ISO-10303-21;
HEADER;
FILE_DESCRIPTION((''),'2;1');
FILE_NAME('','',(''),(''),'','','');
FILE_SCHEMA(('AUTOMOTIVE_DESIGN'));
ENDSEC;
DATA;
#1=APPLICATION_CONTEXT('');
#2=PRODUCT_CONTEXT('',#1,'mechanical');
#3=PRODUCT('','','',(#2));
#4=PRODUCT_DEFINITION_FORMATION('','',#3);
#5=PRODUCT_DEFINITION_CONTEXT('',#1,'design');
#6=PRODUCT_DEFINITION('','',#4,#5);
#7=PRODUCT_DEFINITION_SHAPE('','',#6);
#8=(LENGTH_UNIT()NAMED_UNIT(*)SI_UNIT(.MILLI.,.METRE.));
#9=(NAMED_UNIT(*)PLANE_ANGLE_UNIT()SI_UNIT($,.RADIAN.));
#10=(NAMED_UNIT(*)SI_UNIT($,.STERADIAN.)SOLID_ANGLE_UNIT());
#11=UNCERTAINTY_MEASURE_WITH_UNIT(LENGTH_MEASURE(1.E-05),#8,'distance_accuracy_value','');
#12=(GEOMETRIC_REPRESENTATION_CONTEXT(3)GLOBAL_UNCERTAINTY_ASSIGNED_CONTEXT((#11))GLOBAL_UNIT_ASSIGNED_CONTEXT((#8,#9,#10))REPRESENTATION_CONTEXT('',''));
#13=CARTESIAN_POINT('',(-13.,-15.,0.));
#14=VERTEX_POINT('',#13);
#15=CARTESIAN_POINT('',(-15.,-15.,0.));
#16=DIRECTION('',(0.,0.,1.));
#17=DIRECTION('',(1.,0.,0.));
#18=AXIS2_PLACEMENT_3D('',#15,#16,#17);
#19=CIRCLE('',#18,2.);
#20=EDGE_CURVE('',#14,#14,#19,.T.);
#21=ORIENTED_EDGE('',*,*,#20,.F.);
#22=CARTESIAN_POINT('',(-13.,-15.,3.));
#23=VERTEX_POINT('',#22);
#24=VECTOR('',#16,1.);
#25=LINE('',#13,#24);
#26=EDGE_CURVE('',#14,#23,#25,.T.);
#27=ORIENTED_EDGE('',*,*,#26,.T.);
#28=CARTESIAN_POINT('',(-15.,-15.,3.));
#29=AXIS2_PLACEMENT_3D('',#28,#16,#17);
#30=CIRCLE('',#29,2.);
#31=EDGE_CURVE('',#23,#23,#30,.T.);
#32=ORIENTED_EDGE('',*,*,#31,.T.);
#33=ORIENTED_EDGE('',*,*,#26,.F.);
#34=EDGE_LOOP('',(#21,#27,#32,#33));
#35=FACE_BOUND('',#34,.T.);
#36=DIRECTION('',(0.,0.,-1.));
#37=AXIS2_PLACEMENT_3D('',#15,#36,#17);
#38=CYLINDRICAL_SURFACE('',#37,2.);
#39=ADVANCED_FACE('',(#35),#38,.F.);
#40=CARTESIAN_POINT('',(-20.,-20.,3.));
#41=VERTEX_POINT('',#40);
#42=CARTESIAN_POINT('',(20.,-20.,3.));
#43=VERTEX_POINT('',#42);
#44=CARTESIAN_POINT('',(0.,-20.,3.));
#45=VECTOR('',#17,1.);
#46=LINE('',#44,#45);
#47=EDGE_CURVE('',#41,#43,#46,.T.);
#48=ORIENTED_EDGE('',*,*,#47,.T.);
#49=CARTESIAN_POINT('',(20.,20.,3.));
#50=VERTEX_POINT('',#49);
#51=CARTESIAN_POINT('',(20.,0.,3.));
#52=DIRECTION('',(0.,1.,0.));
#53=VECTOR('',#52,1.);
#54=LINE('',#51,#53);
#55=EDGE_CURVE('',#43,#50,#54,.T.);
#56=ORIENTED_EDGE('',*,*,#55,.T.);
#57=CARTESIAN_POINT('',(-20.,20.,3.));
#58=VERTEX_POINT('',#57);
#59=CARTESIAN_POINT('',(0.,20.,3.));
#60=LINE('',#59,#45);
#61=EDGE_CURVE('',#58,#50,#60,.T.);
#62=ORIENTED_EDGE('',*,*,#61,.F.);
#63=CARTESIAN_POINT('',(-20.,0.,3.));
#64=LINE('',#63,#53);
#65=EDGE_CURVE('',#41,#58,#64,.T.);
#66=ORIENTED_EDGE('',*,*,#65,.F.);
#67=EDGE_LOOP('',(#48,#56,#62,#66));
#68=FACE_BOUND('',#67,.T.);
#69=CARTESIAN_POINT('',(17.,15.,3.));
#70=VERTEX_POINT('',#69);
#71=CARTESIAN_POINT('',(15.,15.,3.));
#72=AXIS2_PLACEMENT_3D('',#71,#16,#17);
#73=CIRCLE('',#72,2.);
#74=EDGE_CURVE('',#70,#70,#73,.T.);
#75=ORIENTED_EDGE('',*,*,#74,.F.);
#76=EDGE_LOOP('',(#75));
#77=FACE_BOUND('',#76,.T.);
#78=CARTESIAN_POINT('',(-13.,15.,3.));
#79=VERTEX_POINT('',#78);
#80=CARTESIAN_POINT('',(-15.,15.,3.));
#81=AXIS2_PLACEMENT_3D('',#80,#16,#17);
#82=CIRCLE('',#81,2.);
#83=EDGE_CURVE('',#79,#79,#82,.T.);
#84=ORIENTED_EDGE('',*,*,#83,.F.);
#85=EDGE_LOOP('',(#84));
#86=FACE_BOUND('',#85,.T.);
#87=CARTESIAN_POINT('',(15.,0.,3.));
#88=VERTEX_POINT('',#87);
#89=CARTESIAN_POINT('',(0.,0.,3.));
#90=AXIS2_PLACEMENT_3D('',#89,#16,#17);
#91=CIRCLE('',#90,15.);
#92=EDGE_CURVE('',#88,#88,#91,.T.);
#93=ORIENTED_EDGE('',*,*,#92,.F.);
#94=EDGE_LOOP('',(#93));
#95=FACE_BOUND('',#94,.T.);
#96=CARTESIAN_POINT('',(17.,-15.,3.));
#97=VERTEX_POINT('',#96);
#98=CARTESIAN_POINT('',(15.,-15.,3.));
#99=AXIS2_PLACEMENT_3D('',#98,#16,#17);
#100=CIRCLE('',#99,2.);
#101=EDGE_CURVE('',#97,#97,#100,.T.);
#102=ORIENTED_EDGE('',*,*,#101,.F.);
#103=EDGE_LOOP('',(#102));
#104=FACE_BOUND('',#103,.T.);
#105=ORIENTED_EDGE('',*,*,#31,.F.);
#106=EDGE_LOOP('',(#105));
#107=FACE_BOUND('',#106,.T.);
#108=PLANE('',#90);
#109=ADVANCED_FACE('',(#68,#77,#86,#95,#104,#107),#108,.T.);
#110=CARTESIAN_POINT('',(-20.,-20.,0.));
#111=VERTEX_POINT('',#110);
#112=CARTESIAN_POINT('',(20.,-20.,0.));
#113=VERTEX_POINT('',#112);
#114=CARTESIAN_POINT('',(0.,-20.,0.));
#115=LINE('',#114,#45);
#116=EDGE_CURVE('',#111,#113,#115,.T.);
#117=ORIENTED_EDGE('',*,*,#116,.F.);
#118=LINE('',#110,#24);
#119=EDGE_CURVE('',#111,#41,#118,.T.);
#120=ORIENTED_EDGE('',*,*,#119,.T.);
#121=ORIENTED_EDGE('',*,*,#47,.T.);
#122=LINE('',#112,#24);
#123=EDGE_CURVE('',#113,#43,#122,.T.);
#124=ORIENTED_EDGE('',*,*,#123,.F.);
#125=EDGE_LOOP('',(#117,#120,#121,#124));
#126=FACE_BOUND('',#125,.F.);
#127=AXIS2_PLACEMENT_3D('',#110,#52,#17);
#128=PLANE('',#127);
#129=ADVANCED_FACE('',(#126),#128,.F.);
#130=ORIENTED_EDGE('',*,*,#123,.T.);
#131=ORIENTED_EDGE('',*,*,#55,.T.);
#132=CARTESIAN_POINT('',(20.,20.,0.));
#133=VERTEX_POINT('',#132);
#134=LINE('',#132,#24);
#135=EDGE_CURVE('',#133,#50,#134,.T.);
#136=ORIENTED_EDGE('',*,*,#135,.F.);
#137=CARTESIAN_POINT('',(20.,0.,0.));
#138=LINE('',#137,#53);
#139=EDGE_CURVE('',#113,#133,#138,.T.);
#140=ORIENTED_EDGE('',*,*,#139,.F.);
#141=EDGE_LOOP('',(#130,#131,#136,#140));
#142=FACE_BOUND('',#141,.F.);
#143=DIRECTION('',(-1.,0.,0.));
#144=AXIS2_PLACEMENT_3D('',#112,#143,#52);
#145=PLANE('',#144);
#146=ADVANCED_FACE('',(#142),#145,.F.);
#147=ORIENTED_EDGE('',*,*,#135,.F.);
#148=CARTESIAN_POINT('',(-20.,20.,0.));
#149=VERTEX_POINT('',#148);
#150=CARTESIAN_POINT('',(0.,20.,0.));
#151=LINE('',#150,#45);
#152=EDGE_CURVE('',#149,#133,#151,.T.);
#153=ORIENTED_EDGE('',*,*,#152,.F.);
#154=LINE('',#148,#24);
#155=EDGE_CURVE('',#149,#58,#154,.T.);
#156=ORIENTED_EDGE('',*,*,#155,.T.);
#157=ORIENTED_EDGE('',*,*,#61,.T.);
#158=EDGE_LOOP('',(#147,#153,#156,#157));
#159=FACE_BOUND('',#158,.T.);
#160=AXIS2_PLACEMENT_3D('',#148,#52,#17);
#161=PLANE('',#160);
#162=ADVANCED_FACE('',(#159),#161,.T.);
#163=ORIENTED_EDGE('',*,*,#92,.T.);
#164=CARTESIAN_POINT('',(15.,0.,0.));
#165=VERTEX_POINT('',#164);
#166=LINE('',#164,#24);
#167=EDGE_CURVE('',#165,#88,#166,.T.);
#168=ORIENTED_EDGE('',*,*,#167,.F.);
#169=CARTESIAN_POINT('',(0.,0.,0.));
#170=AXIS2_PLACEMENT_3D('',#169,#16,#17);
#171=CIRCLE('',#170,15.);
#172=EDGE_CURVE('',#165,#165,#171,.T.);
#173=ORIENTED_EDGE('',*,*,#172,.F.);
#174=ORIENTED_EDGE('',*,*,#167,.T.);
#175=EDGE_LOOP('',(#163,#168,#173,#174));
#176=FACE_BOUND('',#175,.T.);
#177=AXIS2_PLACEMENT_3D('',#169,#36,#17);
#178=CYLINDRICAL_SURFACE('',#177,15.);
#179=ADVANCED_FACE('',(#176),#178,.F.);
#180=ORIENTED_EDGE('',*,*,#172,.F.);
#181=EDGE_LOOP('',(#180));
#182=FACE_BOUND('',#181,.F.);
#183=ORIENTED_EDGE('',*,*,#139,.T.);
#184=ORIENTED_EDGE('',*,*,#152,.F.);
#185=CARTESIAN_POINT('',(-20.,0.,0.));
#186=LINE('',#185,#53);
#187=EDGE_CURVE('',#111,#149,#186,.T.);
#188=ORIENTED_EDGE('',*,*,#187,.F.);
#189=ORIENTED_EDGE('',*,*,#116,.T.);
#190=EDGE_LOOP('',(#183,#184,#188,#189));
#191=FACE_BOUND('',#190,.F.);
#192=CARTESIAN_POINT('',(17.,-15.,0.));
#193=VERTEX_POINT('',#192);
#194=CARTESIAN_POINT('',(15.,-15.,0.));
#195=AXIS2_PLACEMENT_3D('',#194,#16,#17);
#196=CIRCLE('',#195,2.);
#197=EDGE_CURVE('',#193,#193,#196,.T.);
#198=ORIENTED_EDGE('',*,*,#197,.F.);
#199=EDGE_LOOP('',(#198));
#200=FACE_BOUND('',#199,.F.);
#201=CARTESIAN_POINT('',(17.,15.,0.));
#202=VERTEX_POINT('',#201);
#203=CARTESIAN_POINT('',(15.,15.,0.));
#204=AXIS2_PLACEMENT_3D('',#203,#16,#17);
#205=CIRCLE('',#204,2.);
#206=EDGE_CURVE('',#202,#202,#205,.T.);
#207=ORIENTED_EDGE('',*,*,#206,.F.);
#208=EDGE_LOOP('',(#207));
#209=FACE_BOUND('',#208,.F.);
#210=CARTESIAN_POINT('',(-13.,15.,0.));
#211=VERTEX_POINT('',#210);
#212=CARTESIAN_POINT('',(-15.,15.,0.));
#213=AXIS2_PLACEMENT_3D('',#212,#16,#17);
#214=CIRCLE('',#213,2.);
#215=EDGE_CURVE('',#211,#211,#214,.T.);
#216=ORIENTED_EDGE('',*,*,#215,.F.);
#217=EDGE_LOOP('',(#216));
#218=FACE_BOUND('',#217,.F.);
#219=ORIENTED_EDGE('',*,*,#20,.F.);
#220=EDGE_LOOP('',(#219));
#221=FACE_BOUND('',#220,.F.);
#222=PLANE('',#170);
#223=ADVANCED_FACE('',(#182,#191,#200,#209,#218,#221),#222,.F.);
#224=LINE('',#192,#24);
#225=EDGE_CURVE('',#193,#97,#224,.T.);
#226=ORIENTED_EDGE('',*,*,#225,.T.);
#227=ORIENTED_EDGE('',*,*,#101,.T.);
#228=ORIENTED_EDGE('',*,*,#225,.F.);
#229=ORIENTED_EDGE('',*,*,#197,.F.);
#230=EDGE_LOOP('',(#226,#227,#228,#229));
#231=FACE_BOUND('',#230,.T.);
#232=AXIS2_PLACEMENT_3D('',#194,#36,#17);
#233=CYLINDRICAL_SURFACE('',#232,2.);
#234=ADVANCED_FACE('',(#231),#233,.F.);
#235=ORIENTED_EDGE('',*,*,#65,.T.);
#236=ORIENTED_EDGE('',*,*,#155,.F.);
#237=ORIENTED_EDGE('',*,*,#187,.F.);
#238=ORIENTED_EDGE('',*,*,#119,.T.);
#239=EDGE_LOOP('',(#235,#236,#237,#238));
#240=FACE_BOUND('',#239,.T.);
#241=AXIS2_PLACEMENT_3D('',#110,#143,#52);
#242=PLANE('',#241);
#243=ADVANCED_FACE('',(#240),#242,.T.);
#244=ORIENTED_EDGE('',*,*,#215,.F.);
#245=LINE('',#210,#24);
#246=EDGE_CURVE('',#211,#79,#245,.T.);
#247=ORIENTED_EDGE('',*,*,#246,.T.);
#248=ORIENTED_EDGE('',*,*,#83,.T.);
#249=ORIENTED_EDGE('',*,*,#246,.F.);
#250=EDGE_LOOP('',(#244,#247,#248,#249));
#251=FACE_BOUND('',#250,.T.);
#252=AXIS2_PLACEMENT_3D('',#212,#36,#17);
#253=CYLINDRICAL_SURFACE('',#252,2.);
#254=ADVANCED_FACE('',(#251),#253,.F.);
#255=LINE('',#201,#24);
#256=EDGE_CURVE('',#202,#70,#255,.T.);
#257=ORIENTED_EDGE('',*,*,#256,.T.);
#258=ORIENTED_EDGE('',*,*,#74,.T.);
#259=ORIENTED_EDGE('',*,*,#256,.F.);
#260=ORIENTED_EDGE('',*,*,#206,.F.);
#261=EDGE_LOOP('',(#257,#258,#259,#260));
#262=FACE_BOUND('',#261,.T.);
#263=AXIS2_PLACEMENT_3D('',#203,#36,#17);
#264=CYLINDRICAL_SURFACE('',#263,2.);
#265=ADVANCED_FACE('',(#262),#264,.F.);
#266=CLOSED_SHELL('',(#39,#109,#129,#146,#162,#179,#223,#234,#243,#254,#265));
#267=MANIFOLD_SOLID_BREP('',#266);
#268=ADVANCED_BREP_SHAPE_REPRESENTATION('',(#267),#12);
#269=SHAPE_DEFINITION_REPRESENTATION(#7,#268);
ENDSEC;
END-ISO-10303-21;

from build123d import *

# Parameters (mm, degrees)
SKETCH_W   = 40
SKETCH_H   = 40
SKETCH_R   = 2
SKETCH_R_2 = 15
PAD_DEPTH  = 3


with BuildPart() as part:
    # Sketch → Pad (new body)
    with BuildSketch(Plane.XY):
        Rectangle(SKETCH_W, SKETCH_H)
        with Locations((-15, 15)):
            Circle(SKETCH_R, mode=Mode.SUBTRACT)
        with Locations((-15, -15)):
            Circle(SKETCH_R, mode=Mode.SUBTRACT)
        with Locations((15, -15)):
            Circle(SKETCH_R, mode=Mode.SUBTRACT)
        with Locations((15, 15)):
            Circle(SKETCH_R, mode=Mode.SUBTRACT)
        Circle(SKETCH_R_2, mode=Mode.SUBTRACT)
    extrude(amount=PAD_DEPTH)


solid = part.part
